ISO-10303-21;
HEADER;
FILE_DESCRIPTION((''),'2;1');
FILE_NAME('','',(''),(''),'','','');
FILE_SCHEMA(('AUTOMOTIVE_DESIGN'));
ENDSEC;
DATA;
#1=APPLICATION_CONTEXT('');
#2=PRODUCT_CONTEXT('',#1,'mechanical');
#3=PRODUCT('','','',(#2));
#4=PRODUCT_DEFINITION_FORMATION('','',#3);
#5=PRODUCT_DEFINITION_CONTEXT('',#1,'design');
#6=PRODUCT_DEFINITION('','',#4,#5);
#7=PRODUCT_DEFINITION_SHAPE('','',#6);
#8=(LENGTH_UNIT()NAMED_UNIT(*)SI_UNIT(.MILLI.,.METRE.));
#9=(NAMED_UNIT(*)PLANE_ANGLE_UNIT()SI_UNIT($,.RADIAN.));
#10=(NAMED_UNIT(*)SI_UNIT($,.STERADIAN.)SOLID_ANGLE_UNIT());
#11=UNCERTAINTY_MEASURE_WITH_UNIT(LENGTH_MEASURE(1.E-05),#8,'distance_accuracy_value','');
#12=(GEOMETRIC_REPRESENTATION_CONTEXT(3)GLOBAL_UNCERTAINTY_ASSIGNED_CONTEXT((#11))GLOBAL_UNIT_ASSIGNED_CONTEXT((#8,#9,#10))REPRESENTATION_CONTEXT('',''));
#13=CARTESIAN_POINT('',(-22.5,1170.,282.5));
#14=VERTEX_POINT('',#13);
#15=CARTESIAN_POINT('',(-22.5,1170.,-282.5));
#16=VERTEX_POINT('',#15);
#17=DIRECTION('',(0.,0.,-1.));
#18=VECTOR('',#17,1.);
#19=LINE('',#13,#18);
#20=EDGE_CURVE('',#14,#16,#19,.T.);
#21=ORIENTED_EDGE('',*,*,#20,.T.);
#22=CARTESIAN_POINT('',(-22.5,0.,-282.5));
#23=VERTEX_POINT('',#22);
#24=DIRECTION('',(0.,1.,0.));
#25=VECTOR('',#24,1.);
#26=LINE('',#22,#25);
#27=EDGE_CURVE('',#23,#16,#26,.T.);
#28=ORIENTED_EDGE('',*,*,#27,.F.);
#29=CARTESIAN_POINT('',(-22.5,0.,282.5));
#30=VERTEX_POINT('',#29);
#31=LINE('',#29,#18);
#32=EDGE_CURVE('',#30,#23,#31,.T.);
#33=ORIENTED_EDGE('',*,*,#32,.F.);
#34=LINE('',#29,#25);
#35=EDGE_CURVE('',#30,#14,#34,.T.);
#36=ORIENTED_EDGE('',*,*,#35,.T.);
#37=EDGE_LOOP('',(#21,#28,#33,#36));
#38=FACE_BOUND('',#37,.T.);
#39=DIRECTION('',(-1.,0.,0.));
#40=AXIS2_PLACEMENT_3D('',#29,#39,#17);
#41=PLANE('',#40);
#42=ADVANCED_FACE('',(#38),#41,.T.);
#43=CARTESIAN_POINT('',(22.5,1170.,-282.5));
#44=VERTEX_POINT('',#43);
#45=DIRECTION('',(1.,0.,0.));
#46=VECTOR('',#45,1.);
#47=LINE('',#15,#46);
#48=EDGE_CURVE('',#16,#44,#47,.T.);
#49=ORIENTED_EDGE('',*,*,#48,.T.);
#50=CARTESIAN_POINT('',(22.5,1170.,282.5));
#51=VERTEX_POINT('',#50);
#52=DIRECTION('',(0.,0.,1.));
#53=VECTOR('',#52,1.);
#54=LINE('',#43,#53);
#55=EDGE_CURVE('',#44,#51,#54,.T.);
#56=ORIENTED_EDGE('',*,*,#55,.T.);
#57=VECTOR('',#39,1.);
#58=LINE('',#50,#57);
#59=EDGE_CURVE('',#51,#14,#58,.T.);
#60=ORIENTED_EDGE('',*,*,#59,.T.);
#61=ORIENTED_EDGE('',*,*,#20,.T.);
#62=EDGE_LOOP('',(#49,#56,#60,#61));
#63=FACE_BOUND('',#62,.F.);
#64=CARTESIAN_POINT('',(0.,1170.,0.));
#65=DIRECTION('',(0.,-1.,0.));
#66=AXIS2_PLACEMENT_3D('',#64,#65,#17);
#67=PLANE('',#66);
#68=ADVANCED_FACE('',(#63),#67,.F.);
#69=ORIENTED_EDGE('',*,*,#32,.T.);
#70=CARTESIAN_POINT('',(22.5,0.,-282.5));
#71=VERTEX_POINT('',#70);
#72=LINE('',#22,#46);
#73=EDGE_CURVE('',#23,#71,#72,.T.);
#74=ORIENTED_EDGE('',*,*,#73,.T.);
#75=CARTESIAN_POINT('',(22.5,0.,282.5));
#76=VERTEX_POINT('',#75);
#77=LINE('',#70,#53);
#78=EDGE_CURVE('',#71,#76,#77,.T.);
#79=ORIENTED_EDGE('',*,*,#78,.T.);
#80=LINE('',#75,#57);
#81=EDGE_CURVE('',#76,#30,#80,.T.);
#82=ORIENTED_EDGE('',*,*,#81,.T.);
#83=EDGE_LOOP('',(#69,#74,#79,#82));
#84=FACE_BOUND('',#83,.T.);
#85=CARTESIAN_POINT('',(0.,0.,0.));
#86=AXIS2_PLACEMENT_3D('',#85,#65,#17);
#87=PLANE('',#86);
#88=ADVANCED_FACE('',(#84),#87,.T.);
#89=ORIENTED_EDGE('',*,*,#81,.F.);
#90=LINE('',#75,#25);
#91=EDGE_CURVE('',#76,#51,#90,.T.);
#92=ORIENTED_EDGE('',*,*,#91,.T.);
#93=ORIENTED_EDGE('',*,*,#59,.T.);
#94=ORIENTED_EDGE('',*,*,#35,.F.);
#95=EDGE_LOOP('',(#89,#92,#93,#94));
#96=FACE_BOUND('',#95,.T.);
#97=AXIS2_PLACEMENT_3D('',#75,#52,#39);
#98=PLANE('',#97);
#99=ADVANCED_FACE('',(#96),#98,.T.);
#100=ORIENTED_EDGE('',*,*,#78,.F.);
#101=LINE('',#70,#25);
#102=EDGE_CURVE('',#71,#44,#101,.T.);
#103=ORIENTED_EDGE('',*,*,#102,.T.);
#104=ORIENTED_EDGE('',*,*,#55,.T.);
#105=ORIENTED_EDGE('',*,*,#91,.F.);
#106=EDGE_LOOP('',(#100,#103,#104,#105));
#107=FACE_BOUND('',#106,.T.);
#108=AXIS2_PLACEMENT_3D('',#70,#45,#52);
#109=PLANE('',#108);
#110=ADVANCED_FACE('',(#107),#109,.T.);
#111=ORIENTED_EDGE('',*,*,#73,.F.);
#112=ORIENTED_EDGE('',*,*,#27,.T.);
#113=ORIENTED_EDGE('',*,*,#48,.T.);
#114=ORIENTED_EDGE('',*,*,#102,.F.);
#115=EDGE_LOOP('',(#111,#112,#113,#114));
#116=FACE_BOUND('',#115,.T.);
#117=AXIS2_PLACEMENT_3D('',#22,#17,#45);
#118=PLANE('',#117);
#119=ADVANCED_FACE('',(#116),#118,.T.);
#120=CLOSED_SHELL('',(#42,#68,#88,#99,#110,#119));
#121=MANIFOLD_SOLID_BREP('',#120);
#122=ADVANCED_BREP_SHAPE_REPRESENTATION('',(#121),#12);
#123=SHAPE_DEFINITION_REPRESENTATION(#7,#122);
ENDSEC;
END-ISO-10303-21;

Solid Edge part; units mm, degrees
sketch "Sketch1" plane through (0, 0, 0) normal (0, -1, 0) x (1, 0, 0)
  line L0 (-22.5, -282.5) -> (22.5, -282.5)
  line L1 (22.5, -282.5) -> (22.5, 282.5)
  line L2 (22.5, 282.5) -> (-22.5, 282.5)
  line L3 (-22.5, 282.5) -> (-22.5, -282.5)
extrude "Protrusion1" add sketch "Sketch1" against normal blind 1170
